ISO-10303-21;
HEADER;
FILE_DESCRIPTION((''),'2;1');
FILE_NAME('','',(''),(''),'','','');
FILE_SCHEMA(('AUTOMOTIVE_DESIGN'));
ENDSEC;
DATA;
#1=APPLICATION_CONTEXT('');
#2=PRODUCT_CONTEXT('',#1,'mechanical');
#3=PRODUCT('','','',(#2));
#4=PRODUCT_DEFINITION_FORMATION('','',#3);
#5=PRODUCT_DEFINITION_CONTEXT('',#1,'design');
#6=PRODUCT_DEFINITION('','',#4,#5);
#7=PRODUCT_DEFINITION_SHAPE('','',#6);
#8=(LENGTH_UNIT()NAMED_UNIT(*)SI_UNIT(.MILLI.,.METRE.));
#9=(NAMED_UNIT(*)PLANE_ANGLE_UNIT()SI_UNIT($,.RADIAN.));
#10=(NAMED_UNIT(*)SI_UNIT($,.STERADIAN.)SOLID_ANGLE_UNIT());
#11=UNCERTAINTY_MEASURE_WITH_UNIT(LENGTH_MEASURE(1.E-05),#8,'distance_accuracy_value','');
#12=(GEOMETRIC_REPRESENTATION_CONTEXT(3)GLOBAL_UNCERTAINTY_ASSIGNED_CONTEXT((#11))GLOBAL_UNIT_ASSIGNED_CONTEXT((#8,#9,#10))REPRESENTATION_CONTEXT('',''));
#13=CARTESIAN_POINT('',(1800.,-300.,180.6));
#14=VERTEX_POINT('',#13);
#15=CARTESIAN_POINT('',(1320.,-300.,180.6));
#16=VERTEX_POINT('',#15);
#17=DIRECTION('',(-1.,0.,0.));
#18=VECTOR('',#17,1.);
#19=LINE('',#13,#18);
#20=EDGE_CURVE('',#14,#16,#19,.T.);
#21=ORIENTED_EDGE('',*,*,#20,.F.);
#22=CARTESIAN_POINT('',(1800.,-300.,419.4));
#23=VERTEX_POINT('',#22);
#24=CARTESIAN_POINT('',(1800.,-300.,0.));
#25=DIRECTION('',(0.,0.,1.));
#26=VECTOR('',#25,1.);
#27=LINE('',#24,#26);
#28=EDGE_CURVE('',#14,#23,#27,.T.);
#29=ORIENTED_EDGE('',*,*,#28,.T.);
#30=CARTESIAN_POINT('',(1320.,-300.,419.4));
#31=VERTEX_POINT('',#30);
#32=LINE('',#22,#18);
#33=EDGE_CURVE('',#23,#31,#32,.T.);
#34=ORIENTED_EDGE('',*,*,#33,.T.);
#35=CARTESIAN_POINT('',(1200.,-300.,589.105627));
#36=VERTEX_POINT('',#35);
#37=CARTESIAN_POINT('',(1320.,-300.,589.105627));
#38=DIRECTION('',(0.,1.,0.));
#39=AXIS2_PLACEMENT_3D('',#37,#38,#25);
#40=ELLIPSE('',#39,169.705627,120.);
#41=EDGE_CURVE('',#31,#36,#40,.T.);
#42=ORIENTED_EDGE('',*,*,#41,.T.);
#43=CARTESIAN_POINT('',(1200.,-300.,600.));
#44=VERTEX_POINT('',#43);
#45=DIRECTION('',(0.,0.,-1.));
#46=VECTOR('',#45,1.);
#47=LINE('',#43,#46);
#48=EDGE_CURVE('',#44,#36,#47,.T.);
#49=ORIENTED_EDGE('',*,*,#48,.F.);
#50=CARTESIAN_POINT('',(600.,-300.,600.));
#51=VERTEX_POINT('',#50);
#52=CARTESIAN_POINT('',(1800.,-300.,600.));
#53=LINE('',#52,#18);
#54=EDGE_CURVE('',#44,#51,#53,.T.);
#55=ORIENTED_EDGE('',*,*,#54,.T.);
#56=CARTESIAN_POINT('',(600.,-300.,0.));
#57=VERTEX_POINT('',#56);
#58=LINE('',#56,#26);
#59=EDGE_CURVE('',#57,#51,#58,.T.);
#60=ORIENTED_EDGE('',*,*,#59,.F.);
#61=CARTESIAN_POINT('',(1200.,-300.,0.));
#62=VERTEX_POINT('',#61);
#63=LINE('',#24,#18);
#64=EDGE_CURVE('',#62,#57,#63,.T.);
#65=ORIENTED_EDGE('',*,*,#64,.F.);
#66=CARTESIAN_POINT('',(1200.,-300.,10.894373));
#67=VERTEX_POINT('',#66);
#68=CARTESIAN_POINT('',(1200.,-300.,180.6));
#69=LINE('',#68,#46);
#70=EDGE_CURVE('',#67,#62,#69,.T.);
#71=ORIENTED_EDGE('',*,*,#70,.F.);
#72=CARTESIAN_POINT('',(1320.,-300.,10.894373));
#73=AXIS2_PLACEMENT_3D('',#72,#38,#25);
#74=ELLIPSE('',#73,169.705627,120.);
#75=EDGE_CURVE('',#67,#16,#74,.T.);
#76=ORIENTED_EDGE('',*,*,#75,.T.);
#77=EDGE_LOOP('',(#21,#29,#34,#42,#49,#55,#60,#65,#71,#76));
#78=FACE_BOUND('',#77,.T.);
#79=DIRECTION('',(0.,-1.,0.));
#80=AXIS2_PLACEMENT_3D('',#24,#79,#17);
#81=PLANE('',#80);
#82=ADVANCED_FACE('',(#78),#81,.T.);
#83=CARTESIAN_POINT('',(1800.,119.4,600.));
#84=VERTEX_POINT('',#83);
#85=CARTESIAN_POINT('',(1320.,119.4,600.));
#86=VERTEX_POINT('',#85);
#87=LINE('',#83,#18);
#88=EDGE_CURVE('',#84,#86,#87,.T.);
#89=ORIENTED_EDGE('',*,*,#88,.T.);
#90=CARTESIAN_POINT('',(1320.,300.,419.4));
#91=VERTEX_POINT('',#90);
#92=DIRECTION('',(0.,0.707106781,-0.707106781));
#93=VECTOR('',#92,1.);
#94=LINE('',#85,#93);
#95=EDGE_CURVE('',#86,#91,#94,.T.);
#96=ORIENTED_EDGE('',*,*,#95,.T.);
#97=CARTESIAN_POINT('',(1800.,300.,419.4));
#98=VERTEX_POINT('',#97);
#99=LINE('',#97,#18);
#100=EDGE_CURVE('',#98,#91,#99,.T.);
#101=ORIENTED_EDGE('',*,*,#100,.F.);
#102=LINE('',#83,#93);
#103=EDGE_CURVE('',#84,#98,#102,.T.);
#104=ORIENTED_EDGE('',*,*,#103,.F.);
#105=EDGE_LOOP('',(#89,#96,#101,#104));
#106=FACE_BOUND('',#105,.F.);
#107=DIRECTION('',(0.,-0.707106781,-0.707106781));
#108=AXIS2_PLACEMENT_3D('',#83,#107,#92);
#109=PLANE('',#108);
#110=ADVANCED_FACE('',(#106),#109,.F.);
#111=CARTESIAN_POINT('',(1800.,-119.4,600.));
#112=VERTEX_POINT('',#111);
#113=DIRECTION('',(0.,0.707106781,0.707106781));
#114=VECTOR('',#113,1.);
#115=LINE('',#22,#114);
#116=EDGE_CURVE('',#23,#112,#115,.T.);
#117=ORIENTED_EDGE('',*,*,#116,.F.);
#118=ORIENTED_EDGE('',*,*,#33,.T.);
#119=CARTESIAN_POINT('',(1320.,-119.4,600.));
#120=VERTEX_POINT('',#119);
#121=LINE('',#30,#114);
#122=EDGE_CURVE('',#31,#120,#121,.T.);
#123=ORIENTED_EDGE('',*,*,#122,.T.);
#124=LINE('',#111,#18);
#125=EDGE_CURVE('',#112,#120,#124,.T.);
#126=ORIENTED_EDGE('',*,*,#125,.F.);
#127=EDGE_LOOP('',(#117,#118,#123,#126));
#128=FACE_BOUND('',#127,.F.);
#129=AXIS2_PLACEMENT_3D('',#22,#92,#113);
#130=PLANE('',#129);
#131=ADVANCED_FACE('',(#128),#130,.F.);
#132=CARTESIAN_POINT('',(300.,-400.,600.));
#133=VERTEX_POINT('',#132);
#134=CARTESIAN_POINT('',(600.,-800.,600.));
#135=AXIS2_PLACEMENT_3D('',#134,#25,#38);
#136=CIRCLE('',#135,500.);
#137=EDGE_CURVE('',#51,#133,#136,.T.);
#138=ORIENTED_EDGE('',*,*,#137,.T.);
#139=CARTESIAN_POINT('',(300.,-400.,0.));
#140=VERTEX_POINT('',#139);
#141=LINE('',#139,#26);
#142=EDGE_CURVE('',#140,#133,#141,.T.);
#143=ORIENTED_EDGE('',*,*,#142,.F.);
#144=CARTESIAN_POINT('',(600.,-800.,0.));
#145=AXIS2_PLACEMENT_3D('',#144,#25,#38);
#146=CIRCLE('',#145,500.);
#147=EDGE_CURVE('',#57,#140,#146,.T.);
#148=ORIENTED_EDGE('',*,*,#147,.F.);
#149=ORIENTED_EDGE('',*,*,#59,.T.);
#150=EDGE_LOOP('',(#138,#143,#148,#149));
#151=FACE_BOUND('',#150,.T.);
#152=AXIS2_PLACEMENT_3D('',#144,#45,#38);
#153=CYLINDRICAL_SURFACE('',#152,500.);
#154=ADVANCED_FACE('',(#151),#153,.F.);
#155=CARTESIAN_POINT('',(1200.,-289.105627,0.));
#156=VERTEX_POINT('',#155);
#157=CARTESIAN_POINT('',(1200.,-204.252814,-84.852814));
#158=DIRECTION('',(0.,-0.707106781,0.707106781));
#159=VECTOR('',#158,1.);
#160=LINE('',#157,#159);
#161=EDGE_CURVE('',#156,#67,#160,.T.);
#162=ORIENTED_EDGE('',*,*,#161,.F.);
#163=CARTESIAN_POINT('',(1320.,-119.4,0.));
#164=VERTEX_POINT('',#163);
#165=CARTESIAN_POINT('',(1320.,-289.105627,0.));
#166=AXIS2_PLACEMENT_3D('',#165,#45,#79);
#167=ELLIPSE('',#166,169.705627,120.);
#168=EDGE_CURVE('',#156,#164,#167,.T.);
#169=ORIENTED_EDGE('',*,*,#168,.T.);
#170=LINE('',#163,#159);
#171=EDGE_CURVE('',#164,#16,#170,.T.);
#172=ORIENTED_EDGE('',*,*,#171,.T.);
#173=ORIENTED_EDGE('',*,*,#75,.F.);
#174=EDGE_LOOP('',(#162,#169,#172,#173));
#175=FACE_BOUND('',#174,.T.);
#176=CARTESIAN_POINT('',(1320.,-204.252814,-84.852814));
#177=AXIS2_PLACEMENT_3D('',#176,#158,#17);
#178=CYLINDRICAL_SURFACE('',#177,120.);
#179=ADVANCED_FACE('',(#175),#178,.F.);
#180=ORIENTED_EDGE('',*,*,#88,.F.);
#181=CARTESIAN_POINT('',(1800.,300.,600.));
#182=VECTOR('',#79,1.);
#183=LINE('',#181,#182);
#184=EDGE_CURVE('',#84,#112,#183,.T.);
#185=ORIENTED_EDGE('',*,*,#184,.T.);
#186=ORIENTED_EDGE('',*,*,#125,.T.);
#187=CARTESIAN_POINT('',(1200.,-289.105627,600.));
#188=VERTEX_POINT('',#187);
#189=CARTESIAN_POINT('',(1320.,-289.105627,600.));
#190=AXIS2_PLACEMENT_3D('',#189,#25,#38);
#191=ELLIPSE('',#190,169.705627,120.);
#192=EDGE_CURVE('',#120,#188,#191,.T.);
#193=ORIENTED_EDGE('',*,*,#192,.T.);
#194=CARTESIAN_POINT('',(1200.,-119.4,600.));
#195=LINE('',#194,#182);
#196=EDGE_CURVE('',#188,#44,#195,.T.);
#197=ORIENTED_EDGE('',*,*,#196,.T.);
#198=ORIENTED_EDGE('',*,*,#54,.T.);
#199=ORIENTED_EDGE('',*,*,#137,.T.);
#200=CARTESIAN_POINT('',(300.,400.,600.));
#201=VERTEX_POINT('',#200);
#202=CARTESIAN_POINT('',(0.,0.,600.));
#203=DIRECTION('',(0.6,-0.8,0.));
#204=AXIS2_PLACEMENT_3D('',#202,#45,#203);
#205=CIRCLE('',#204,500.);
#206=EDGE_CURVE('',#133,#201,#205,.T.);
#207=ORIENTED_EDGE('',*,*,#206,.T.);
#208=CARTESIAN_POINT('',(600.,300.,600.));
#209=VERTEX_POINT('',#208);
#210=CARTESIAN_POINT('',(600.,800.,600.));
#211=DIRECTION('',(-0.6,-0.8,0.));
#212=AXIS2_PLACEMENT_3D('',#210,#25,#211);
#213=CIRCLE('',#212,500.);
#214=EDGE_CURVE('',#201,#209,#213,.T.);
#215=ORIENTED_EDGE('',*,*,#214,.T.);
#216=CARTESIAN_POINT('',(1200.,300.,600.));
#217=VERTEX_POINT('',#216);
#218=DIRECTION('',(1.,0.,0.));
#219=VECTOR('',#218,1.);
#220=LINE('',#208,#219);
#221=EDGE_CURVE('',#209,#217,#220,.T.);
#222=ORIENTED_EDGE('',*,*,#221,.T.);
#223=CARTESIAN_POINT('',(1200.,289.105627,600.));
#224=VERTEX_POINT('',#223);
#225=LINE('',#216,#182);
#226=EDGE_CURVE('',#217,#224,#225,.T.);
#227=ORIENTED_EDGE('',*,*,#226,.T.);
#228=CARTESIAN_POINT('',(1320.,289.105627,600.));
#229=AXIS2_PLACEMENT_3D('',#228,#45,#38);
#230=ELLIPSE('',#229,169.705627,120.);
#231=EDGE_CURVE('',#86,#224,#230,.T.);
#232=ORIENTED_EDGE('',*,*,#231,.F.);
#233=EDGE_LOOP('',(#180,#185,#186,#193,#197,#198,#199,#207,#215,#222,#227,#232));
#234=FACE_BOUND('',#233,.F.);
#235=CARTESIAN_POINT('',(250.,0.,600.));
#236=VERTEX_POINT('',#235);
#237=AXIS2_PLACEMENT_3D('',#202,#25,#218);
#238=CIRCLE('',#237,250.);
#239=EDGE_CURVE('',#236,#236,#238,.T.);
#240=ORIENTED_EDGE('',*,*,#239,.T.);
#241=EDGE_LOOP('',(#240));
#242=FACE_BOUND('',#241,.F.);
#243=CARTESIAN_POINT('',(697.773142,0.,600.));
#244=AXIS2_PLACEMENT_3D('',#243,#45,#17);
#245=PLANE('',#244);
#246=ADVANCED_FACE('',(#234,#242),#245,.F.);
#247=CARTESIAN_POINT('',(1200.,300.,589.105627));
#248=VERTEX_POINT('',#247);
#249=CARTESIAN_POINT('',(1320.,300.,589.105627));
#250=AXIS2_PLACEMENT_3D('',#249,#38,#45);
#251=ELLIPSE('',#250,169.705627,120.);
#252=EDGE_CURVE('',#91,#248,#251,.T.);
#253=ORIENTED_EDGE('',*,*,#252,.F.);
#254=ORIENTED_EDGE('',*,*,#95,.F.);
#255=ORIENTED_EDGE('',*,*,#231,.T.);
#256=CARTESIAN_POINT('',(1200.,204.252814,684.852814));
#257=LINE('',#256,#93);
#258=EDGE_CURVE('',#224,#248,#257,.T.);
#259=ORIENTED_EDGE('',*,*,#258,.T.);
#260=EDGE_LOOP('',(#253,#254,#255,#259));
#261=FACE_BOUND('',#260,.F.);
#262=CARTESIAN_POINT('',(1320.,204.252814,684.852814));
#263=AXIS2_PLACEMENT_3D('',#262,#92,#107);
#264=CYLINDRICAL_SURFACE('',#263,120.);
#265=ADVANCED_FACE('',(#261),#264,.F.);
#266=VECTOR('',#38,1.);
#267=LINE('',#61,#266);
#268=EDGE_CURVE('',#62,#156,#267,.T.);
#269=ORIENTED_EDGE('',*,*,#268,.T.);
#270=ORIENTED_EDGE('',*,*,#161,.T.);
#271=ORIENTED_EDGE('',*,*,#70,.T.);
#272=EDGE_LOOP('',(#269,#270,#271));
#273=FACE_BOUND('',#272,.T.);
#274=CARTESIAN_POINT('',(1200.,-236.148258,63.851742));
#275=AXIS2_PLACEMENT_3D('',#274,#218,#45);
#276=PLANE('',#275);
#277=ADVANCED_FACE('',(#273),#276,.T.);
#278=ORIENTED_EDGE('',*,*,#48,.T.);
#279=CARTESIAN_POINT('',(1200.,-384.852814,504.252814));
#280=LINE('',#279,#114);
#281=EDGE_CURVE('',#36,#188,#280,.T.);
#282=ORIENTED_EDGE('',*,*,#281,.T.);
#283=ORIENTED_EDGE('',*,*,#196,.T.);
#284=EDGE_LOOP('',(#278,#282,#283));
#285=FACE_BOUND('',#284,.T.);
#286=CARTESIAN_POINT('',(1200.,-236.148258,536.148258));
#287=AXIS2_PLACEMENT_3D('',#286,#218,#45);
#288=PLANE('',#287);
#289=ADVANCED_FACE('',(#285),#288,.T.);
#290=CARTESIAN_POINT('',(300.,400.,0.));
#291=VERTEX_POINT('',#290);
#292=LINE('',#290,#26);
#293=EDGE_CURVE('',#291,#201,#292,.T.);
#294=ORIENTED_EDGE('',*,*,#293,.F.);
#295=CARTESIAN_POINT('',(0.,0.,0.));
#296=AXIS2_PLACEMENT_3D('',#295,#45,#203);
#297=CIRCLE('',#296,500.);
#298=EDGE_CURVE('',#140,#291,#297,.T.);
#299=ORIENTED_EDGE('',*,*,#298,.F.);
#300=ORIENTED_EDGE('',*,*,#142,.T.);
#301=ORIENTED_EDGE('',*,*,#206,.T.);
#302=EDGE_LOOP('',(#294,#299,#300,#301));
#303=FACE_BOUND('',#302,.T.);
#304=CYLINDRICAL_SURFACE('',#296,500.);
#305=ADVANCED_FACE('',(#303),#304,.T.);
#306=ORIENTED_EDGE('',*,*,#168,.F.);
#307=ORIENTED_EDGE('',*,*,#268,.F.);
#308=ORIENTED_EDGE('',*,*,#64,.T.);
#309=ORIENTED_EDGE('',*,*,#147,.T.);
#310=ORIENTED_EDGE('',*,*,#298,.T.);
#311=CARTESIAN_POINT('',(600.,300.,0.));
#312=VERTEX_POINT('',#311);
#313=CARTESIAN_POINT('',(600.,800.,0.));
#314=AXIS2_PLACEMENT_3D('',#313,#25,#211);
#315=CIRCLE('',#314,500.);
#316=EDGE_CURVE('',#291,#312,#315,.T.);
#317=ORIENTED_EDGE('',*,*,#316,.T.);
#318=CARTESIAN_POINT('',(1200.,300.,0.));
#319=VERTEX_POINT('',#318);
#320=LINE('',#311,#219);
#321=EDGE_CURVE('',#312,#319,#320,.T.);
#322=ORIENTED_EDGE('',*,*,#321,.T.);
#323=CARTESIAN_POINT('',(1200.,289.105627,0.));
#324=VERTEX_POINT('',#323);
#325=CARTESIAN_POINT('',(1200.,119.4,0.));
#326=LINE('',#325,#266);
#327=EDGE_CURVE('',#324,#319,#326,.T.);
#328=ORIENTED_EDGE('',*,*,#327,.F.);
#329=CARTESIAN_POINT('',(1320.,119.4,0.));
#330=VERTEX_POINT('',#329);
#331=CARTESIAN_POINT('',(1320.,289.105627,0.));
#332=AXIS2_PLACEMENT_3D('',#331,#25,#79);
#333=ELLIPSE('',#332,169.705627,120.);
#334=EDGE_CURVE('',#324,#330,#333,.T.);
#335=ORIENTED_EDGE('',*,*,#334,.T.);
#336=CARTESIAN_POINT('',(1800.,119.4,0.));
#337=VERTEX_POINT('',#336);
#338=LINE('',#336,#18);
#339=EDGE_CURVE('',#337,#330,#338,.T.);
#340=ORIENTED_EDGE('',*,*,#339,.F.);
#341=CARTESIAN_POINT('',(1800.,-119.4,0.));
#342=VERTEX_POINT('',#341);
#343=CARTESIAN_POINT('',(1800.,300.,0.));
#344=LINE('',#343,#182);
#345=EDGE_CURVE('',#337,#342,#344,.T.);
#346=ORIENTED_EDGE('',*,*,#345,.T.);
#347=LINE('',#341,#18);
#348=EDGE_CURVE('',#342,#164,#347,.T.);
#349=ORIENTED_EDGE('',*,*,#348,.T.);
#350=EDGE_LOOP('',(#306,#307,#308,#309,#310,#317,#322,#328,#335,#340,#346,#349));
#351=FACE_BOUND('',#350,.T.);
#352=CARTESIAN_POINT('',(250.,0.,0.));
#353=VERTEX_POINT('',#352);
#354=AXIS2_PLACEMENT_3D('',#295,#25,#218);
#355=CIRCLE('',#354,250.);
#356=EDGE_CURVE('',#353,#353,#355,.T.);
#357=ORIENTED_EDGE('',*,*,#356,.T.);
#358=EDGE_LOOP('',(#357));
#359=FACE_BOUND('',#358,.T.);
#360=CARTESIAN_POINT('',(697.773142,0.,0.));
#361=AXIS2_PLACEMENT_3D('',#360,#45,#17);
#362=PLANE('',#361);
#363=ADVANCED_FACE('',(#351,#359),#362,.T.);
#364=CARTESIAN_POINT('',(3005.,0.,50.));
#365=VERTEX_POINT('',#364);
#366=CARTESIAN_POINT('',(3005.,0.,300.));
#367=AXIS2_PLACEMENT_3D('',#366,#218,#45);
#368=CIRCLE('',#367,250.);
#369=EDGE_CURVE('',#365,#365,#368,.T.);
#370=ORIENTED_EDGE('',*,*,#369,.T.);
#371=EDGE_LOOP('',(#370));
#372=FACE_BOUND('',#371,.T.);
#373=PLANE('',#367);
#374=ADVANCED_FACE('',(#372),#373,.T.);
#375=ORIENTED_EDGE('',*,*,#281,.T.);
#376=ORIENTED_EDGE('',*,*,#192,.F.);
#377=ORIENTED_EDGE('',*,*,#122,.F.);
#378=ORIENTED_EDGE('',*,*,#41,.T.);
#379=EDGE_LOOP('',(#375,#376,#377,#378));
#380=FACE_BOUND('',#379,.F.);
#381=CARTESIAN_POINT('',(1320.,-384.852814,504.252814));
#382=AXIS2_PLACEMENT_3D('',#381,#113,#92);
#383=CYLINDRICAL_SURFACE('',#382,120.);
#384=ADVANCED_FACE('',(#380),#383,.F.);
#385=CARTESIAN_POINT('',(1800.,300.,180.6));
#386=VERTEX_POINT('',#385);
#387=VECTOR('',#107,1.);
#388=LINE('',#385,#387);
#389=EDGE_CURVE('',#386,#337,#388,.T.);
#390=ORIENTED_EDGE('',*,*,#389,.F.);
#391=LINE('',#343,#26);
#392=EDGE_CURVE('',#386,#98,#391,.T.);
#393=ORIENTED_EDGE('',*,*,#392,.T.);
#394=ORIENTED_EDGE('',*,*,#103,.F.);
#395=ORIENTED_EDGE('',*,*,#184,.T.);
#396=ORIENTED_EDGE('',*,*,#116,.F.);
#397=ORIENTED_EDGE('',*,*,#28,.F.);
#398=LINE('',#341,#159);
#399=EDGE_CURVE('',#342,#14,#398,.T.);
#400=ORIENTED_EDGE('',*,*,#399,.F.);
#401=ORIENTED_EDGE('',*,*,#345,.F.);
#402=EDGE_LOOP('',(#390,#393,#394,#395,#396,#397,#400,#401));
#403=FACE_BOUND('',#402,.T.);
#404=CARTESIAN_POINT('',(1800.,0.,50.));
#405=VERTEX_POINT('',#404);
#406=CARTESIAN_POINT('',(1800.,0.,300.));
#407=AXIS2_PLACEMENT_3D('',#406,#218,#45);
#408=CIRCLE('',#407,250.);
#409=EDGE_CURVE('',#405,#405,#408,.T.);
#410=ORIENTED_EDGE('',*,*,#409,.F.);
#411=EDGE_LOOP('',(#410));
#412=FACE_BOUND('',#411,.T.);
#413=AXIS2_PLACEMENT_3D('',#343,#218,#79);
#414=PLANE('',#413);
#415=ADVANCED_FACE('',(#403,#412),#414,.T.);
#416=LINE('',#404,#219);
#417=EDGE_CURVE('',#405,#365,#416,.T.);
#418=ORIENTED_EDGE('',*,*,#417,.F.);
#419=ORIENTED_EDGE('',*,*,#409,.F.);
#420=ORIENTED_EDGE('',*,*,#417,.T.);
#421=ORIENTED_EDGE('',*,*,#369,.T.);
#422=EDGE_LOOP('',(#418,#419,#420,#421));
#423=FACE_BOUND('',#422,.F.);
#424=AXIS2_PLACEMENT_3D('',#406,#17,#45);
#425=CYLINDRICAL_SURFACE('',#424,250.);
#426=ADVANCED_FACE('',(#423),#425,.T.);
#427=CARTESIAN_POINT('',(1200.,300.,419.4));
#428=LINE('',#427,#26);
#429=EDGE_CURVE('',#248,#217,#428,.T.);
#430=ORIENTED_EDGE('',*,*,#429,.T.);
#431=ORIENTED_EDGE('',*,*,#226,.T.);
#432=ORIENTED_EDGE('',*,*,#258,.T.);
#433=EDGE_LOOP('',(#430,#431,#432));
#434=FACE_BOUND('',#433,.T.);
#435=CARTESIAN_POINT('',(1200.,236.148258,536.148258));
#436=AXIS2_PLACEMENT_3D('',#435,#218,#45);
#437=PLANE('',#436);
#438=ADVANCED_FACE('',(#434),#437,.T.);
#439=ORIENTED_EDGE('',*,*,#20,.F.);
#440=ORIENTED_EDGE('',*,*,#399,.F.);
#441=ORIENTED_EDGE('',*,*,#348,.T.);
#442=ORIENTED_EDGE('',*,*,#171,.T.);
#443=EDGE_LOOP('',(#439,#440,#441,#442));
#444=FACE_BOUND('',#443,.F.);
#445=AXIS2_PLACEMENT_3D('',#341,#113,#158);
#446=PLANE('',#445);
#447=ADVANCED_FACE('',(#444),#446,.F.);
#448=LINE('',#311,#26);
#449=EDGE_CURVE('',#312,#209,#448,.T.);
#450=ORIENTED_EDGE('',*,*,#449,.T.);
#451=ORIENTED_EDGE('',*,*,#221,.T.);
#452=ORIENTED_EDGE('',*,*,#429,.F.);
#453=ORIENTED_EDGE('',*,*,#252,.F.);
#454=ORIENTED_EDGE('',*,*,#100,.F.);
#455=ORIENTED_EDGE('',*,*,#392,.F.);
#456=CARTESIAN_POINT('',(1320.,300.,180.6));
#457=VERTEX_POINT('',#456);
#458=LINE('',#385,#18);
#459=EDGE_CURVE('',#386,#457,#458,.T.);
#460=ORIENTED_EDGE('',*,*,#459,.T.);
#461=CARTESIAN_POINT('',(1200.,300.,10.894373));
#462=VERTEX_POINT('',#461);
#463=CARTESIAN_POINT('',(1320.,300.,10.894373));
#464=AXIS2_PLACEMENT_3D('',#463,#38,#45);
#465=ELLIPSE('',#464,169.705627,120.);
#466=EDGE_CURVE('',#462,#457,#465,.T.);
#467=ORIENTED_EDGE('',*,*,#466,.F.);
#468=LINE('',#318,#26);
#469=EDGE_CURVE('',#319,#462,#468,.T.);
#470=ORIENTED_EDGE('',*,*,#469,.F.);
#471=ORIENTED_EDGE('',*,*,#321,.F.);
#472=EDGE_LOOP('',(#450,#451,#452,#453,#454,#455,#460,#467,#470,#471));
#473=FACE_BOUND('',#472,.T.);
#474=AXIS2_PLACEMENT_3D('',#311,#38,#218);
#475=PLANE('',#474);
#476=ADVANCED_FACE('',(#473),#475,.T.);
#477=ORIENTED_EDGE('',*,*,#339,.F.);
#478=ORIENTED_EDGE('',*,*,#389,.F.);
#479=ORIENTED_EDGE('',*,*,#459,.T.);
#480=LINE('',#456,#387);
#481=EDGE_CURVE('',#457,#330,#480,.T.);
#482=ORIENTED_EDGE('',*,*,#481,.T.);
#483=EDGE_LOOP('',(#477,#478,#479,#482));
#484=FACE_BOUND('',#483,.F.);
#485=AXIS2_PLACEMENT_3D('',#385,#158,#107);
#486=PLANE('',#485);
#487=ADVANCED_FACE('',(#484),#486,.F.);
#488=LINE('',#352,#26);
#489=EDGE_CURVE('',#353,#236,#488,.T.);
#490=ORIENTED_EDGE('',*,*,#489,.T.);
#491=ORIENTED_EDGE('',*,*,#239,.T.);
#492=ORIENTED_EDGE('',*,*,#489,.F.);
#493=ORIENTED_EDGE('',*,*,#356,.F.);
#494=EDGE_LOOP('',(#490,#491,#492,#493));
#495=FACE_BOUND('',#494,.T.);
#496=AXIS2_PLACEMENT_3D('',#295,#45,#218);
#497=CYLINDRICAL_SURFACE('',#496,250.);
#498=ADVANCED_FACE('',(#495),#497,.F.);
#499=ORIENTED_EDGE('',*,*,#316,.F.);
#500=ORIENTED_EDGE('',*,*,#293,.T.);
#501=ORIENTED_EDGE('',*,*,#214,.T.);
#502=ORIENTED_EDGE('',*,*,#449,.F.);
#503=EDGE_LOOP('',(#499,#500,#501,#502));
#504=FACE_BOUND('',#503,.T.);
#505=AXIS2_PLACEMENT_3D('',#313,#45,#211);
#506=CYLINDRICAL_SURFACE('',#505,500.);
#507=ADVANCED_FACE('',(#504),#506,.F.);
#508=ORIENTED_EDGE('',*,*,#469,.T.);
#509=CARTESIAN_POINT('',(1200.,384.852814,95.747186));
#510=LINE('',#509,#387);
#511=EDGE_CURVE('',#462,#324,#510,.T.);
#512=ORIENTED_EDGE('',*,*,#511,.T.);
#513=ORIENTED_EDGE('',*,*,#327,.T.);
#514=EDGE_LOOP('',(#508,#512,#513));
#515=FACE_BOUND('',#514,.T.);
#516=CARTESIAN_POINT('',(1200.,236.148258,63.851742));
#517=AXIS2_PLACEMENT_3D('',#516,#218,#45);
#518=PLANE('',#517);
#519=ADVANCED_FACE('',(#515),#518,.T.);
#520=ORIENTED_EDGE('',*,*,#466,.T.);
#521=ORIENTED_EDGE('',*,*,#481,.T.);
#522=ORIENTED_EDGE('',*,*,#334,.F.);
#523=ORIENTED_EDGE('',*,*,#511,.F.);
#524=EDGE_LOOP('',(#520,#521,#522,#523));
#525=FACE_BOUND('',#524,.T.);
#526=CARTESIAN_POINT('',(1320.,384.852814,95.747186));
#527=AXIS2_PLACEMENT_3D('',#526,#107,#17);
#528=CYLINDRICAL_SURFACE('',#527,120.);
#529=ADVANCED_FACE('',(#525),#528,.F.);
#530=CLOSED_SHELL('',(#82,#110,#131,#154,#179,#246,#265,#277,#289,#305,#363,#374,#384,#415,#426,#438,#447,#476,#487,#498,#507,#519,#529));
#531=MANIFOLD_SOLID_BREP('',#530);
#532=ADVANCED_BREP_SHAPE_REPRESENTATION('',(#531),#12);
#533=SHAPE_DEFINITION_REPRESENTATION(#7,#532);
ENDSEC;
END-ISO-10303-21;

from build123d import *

# Parameters (mm, degrees)
SKETCH2_R           = 250
BOSS_EXTRUDE1_DEPTH = 600
CUT_EXTRUDE1_DEPTH  = 600
SKETCH5_4_R         = 250
BOSS_EXTRUDE2_DEPTH = 1205
FILLET1_R           = 120


with BuildPart() as part:
    # Sketch2 → Boss-Extrude1 (new body)
    with BuildSketch(Plane.XY):
        with BuildLine():
            Line((600, 300), (1800, 300))
            Line((1800, 300), (1800, -300))
            Line((1800, -300), (600, -300))
            ThreePointArc((600, -300), (441.886116992, -325.658350975), (300, -400))
            ThreePointArc((300, -400), (-500, 0), (300, 400))
            ThreePointArc((300, 400), (441.886116992, 325.658350975), (600, 300))
        make_face()
        Circle(SKETCH2_R, mode=Mode.SUBTRACT)
    extrude(amount=BOSS_EXTRUDE1_DEPTH)

    # Sketch5 → Cut-Extrude1 (cut)
    with BuildSketch(Plane(origin=(1800, 0, 0), x_dir=(0, 0, -1), z_dir=(1, 0, 0))):
        Polygon((-600, 119.4), (-419.4, 300), (-600, 300), align=None)
        Polygon((-113.09603494, 300), (-117.263350095, 300), (-180.6, 300), (0, 119.4), (0, 300), align=None)
        Polygon((0, -300), (0, -119.4), (-180.6, -300), align=None)
        Polygon((-419.4, -300), (-600, -119.4), (-600, -300), align=None)
    extrude(amount=-CUT_EXTRUDE1_DEPTH, mode=Mode.SUBTRACT)

    # Sketch5_4 → Boss-Extrude2 (add)
    with BuildSketch(Plane(origin=(1800, 0, 0), x_dir=(0, 0, -1), z_dir=(1, 0, 0))):
        with Locations((-300, 0)):
            Circle(SKETCH5_4_R)
    extrude(amount=BOSS_EXTRUDE2_DEPTH)

    # Fillet1
    fillet1_edges = [part.edges().sort_by_distance(p)[0] for p in [
        (1200, -209.7, 509.7),
        (1200, -209.7, 90.3),
        (1200, 209.7, 90.3),
        (1200, 209.7, 509.7),
    ]]
    fillet(fillet1_edges, radius=FILLET1_R)


solid = part.part
